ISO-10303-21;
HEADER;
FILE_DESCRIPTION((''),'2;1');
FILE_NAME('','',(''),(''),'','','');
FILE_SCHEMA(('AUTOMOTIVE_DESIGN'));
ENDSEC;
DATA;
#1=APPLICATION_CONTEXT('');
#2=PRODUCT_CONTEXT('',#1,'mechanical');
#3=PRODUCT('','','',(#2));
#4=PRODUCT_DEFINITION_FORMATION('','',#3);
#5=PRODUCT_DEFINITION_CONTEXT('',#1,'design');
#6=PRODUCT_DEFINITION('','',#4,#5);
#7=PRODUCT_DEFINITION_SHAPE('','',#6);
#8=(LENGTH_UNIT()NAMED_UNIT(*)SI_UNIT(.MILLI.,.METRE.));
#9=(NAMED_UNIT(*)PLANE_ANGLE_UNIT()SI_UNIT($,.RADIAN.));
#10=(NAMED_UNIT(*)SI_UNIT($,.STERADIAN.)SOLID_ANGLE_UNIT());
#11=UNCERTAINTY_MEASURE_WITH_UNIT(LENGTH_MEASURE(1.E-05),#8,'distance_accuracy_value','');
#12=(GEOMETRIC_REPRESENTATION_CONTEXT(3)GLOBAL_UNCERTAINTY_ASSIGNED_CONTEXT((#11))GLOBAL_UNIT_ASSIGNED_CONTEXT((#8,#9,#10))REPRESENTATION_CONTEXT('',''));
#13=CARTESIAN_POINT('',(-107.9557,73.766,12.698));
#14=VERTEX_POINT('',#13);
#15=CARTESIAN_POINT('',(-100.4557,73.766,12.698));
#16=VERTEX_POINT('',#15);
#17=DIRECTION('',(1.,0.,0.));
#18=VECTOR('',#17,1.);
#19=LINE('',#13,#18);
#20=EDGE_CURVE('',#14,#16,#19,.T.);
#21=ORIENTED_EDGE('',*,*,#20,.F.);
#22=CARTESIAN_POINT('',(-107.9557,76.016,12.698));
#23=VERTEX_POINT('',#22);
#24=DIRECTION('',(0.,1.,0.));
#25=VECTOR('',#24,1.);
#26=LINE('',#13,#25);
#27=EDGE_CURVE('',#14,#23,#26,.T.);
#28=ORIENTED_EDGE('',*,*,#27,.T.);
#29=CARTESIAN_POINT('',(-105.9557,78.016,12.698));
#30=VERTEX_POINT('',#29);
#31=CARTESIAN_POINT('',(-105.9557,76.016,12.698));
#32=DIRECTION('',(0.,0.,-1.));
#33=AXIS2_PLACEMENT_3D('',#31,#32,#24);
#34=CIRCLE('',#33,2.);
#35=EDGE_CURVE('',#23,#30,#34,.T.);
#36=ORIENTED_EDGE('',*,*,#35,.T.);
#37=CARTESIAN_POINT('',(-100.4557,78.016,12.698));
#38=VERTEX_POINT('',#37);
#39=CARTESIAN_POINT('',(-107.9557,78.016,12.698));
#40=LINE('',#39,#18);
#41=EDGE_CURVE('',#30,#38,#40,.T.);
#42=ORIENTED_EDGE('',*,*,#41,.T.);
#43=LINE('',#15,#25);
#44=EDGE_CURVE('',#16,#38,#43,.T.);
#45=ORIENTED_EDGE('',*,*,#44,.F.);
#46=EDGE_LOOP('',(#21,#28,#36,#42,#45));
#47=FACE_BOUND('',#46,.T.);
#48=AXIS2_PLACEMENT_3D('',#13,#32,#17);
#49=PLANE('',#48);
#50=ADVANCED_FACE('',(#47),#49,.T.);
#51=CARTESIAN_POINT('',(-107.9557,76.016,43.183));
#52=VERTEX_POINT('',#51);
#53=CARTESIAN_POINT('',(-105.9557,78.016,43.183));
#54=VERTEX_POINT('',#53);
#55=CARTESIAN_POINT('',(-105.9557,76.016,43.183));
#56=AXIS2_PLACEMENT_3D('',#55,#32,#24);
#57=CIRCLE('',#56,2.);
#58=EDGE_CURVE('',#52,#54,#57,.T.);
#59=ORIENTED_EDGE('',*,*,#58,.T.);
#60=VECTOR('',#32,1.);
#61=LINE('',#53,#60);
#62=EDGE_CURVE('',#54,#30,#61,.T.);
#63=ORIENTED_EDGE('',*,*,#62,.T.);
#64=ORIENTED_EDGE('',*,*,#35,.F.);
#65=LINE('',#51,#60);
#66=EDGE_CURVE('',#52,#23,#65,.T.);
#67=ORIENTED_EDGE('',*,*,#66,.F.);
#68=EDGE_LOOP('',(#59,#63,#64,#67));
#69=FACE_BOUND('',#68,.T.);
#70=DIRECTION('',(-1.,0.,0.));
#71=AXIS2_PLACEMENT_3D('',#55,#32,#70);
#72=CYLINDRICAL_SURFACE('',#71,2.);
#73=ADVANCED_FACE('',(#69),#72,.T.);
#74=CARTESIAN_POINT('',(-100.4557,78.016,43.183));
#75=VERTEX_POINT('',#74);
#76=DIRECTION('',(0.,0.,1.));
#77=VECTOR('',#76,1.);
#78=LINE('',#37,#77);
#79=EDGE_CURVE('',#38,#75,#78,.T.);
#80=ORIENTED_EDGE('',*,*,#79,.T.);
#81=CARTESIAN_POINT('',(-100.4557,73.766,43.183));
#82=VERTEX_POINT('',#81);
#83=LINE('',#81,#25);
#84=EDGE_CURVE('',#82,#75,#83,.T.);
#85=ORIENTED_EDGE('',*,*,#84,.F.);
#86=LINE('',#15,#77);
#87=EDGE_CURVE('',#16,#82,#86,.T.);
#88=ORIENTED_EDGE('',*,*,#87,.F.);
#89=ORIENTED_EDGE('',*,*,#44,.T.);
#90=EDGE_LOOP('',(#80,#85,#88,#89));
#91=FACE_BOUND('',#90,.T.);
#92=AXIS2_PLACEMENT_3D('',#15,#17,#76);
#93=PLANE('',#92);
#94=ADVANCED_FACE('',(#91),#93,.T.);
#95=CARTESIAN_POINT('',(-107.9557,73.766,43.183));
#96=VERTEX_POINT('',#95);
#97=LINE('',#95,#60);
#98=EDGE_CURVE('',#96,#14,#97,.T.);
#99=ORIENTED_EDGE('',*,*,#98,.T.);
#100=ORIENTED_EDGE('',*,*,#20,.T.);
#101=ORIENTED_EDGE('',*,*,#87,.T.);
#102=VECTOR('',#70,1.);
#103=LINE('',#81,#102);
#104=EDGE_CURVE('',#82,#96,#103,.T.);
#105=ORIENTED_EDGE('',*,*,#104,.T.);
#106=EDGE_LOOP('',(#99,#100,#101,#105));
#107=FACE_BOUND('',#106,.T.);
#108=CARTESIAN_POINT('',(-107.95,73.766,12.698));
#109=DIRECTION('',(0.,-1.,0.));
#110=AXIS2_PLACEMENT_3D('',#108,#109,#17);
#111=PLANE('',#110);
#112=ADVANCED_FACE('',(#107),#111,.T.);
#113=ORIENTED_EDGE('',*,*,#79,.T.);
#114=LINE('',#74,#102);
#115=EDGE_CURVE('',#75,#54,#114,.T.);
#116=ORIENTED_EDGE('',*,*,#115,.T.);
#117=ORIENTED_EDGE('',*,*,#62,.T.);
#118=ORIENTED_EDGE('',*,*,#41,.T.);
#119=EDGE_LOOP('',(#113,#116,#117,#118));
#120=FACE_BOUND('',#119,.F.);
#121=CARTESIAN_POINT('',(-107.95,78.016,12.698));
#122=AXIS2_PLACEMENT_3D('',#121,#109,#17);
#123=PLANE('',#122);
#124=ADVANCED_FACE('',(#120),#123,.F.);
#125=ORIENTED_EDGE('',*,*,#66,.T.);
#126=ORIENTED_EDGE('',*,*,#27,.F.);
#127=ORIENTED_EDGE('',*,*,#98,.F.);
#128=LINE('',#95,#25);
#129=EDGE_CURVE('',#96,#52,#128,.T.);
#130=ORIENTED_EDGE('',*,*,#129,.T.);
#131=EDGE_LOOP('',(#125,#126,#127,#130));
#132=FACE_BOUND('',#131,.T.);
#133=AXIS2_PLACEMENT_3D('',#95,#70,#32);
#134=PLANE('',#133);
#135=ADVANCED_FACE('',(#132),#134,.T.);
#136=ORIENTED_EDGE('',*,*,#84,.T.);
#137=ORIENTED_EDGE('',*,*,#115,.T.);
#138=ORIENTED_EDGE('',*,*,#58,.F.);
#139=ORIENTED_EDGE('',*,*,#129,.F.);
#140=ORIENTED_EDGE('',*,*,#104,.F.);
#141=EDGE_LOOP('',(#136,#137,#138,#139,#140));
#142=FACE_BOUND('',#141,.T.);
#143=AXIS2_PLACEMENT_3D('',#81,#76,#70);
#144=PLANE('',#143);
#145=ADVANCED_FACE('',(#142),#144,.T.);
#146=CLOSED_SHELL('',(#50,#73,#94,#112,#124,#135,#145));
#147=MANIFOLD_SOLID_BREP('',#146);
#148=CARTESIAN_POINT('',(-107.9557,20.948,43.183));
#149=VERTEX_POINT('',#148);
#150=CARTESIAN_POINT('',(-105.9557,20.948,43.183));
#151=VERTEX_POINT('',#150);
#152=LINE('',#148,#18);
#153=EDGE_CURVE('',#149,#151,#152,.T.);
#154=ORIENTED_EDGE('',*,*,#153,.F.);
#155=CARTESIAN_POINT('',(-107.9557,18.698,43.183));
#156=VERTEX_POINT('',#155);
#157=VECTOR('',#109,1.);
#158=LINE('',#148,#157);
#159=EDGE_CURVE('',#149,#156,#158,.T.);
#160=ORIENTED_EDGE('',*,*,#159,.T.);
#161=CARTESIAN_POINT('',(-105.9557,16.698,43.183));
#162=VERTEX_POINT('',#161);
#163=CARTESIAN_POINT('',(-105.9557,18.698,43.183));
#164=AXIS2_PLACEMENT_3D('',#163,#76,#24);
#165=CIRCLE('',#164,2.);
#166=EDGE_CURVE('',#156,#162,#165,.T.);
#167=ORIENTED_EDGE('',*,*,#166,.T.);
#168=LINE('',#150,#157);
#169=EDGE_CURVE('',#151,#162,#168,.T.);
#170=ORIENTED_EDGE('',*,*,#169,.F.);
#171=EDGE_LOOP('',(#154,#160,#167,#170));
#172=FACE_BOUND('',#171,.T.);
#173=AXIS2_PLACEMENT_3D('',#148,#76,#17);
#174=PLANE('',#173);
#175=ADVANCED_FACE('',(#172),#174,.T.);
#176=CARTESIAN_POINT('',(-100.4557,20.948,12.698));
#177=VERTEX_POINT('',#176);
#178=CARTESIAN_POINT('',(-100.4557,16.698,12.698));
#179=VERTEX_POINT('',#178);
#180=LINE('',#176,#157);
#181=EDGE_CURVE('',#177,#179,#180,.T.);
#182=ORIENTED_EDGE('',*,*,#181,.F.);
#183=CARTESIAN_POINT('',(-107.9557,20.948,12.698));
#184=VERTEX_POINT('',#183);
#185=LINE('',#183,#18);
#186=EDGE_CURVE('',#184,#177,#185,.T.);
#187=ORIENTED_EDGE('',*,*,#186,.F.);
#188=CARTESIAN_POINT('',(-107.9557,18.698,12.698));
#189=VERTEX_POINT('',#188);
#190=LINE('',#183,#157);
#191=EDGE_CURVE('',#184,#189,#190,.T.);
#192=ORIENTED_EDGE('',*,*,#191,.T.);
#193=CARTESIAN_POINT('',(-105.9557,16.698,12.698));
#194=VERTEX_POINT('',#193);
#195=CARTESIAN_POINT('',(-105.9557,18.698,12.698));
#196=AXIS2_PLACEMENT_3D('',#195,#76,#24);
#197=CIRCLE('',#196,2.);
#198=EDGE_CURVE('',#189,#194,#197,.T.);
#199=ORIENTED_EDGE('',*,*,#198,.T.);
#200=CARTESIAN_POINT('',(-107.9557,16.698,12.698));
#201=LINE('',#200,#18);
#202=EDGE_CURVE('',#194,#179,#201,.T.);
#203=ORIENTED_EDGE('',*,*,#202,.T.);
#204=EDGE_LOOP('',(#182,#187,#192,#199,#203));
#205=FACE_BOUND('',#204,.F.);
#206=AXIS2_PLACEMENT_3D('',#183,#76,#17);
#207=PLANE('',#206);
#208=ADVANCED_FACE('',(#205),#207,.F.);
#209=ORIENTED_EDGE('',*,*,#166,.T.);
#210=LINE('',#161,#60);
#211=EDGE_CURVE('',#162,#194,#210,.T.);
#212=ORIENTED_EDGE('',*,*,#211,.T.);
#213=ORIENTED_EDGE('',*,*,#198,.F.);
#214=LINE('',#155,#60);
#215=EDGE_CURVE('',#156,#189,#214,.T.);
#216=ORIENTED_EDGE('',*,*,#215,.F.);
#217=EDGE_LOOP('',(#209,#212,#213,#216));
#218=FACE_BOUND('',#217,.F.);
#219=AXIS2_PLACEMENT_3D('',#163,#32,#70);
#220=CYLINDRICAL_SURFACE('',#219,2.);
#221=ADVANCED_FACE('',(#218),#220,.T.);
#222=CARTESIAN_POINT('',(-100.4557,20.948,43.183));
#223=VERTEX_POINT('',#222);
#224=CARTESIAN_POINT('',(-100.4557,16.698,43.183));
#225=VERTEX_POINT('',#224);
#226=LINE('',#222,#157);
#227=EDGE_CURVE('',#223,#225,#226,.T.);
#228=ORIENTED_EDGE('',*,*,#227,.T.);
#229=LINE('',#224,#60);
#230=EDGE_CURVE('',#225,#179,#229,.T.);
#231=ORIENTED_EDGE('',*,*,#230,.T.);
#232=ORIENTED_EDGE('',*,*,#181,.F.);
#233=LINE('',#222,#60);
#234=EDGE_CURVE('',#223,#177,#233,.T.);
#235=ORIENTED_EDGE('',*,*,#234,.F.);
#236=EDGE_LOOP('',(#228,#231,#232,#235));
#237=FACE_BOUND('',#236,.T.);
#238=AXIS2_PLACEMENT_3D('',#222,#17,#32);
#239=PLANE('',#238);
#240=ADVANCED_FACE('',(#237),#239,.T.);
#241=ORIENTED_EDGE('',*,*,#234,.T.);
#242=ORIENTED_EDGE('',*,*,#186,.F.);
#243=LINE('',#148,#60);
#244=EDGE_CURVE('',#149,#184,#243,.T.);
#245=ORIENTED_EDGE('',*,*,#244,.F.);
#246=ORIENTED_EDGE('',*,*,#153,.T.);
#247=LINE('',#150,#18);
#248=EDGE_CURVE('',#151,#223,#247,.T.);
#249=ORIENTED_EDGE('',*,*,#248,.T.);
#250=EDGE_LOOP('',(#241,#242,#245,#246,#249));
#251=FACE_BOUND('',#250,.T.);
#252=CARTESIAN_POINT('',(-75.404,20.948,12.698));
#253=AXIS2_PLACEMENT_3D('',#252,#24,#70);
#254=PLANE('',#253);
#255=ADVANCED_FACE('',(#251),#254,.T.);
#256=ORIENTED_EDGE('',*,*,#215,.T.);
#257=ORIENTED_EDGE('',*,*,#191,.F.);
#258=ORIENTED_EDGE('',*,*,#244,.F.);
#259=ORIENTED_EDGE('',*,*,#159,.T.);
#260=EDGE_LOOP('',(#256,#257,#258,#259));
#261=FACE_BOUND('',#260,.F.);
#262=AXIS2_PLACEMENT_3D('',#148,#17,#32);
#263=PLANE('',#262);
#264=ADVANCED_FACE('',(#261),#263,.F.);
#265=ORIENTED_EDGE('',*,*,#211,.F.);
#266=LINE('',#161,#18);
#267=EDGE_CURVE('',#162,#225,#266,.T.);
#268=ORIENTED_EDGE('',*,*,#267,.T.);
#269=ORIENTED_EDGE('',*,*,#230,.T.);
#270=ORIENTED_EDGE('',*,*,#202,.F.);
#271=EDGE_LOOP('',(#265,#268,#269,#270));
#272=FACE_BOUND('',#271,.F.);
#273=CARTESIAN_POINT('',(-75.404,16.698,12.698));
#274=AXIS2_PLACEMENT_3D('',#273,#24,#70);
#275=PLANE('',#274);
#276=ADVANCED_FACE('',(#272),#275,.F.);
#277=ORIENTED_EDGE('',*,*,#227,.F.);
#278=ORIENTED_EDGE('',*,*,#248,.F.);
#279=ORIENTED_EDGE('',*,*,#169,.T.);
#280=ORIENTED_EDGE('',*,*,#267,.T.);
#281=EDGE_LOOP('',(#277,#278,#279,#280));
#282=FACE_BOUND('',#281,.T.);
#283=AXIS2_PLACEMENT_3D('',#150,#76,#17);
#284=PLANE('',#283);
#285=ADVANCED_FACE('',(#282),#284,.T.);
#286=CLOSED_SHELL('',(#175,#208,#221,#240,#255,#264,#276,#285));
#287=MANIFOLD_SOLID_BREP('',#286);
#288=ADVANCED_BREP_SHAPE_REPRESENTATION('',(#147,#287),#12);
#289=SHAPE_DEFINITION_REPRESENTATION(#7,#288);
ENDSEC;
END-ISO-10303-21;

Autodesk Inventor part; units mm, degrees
ref_plane "YZ Plane" through (0, 0, 0) normal (1, 0, 0) x (0, 1, 0)
ref_plane "XZ Plane" through (0, 0, 0) normal (0, 1, 0) x (-1, 0, 0)
ref_plane "XY Plane" through (0, 0, 0) normal (0, 0, 1) x (1, 0, 0)
sketch "Sketch2" plane through (-107.95, 73.766, 12.698) normal (0, -1, 0) x (1, 0, 0)
  line L0 (4.0161, 30.485) -> (-0.0057, 30.485) construction
  line L1 (-0.0057, 0) -> (4.0161, 0) construction
  line L2 (-0.0057, 30.485) -> (-0.0057, 0)
  line L3 (-0.0057, 0) -> (7.4943, 0)
  line L4 (7.4943, 0) -> (7.4943, 30.485)
  line L5 (7.4943, 30.485) -> (-0.0057, 30.485)
  point P0 (107.95, -12.698)
  dimension "d0" = 7.5
extrude "Extrusion1" add sketch "Sketch2" against normal blind 4.25
fillet "Fillet1" radius 2 1 edges at (-107.9557, 78.016, 27.9405)
sketch "Sketch4" plane through (-75.404, 20.948, 12.698) normal (0, 1, 0) x (-1, 0, 0)
  line L0 (32.5517, 30.485) -> (32.5517, 0) projected
  line L1 (32.5517, 0) -> (32.5517, 30.485)
  line L2 (30.5517, 30.485) -> (25.0517, 30.485) projected
  line L3 (32.5517, 30.485) -> (25.0517, 30.485)
  line L4 (25.0517, 30.485) -> (25.0517, 0)
  line L5 (32.5517, 0) -> (25.0517, 0) projected
  line L6 (25.0517, 0) -> (32.5517, 0)
  point P0 (-75.404, -12.698)
extrude "Extrusion2" add sketch "Sketch4" against normal blind 4.25
fillet "Fillet2" radius 2 1 edges at (-107.9557, 16.698, 27.9405)
sketch "Sketch5" plane through (29.71, 53.248, 16.384) normal (1, 0, 0) x (0, 1, 0)
  line L0 (-32.585, -16.384) -> (20.803, -16.384) projected
  line L1 (24.803, -12.384) -> (24.803, 37.716) projected
  line L2 (20.803, 41.716) -> (-32.585, 41.716) projected
  line L3 (-36.585, 37.716) -> (-36.585, -12.384) projected
  line L4 (20.803, -16.384) -> (20.803, -10.7245) construction
  line L5 (20.803, -16.384) -> (26.4625, -16.384) construction
  line L6 (24.803, -12.384) -> (20.803, -12.384) construction
  line L7 (24.803, -12.384) -> (28.803, -12.384) construction
  arc A0 (20.803, -16.384) -> (24.803, -12.384) centre (20.803, -12.384) ccw
  point P0 (-53.248, -16.384)
  dimension "d7" = 90
  dimension "d8" = 180
  dimension "d9" = 8
properties part number "vertical_battery_holder"
